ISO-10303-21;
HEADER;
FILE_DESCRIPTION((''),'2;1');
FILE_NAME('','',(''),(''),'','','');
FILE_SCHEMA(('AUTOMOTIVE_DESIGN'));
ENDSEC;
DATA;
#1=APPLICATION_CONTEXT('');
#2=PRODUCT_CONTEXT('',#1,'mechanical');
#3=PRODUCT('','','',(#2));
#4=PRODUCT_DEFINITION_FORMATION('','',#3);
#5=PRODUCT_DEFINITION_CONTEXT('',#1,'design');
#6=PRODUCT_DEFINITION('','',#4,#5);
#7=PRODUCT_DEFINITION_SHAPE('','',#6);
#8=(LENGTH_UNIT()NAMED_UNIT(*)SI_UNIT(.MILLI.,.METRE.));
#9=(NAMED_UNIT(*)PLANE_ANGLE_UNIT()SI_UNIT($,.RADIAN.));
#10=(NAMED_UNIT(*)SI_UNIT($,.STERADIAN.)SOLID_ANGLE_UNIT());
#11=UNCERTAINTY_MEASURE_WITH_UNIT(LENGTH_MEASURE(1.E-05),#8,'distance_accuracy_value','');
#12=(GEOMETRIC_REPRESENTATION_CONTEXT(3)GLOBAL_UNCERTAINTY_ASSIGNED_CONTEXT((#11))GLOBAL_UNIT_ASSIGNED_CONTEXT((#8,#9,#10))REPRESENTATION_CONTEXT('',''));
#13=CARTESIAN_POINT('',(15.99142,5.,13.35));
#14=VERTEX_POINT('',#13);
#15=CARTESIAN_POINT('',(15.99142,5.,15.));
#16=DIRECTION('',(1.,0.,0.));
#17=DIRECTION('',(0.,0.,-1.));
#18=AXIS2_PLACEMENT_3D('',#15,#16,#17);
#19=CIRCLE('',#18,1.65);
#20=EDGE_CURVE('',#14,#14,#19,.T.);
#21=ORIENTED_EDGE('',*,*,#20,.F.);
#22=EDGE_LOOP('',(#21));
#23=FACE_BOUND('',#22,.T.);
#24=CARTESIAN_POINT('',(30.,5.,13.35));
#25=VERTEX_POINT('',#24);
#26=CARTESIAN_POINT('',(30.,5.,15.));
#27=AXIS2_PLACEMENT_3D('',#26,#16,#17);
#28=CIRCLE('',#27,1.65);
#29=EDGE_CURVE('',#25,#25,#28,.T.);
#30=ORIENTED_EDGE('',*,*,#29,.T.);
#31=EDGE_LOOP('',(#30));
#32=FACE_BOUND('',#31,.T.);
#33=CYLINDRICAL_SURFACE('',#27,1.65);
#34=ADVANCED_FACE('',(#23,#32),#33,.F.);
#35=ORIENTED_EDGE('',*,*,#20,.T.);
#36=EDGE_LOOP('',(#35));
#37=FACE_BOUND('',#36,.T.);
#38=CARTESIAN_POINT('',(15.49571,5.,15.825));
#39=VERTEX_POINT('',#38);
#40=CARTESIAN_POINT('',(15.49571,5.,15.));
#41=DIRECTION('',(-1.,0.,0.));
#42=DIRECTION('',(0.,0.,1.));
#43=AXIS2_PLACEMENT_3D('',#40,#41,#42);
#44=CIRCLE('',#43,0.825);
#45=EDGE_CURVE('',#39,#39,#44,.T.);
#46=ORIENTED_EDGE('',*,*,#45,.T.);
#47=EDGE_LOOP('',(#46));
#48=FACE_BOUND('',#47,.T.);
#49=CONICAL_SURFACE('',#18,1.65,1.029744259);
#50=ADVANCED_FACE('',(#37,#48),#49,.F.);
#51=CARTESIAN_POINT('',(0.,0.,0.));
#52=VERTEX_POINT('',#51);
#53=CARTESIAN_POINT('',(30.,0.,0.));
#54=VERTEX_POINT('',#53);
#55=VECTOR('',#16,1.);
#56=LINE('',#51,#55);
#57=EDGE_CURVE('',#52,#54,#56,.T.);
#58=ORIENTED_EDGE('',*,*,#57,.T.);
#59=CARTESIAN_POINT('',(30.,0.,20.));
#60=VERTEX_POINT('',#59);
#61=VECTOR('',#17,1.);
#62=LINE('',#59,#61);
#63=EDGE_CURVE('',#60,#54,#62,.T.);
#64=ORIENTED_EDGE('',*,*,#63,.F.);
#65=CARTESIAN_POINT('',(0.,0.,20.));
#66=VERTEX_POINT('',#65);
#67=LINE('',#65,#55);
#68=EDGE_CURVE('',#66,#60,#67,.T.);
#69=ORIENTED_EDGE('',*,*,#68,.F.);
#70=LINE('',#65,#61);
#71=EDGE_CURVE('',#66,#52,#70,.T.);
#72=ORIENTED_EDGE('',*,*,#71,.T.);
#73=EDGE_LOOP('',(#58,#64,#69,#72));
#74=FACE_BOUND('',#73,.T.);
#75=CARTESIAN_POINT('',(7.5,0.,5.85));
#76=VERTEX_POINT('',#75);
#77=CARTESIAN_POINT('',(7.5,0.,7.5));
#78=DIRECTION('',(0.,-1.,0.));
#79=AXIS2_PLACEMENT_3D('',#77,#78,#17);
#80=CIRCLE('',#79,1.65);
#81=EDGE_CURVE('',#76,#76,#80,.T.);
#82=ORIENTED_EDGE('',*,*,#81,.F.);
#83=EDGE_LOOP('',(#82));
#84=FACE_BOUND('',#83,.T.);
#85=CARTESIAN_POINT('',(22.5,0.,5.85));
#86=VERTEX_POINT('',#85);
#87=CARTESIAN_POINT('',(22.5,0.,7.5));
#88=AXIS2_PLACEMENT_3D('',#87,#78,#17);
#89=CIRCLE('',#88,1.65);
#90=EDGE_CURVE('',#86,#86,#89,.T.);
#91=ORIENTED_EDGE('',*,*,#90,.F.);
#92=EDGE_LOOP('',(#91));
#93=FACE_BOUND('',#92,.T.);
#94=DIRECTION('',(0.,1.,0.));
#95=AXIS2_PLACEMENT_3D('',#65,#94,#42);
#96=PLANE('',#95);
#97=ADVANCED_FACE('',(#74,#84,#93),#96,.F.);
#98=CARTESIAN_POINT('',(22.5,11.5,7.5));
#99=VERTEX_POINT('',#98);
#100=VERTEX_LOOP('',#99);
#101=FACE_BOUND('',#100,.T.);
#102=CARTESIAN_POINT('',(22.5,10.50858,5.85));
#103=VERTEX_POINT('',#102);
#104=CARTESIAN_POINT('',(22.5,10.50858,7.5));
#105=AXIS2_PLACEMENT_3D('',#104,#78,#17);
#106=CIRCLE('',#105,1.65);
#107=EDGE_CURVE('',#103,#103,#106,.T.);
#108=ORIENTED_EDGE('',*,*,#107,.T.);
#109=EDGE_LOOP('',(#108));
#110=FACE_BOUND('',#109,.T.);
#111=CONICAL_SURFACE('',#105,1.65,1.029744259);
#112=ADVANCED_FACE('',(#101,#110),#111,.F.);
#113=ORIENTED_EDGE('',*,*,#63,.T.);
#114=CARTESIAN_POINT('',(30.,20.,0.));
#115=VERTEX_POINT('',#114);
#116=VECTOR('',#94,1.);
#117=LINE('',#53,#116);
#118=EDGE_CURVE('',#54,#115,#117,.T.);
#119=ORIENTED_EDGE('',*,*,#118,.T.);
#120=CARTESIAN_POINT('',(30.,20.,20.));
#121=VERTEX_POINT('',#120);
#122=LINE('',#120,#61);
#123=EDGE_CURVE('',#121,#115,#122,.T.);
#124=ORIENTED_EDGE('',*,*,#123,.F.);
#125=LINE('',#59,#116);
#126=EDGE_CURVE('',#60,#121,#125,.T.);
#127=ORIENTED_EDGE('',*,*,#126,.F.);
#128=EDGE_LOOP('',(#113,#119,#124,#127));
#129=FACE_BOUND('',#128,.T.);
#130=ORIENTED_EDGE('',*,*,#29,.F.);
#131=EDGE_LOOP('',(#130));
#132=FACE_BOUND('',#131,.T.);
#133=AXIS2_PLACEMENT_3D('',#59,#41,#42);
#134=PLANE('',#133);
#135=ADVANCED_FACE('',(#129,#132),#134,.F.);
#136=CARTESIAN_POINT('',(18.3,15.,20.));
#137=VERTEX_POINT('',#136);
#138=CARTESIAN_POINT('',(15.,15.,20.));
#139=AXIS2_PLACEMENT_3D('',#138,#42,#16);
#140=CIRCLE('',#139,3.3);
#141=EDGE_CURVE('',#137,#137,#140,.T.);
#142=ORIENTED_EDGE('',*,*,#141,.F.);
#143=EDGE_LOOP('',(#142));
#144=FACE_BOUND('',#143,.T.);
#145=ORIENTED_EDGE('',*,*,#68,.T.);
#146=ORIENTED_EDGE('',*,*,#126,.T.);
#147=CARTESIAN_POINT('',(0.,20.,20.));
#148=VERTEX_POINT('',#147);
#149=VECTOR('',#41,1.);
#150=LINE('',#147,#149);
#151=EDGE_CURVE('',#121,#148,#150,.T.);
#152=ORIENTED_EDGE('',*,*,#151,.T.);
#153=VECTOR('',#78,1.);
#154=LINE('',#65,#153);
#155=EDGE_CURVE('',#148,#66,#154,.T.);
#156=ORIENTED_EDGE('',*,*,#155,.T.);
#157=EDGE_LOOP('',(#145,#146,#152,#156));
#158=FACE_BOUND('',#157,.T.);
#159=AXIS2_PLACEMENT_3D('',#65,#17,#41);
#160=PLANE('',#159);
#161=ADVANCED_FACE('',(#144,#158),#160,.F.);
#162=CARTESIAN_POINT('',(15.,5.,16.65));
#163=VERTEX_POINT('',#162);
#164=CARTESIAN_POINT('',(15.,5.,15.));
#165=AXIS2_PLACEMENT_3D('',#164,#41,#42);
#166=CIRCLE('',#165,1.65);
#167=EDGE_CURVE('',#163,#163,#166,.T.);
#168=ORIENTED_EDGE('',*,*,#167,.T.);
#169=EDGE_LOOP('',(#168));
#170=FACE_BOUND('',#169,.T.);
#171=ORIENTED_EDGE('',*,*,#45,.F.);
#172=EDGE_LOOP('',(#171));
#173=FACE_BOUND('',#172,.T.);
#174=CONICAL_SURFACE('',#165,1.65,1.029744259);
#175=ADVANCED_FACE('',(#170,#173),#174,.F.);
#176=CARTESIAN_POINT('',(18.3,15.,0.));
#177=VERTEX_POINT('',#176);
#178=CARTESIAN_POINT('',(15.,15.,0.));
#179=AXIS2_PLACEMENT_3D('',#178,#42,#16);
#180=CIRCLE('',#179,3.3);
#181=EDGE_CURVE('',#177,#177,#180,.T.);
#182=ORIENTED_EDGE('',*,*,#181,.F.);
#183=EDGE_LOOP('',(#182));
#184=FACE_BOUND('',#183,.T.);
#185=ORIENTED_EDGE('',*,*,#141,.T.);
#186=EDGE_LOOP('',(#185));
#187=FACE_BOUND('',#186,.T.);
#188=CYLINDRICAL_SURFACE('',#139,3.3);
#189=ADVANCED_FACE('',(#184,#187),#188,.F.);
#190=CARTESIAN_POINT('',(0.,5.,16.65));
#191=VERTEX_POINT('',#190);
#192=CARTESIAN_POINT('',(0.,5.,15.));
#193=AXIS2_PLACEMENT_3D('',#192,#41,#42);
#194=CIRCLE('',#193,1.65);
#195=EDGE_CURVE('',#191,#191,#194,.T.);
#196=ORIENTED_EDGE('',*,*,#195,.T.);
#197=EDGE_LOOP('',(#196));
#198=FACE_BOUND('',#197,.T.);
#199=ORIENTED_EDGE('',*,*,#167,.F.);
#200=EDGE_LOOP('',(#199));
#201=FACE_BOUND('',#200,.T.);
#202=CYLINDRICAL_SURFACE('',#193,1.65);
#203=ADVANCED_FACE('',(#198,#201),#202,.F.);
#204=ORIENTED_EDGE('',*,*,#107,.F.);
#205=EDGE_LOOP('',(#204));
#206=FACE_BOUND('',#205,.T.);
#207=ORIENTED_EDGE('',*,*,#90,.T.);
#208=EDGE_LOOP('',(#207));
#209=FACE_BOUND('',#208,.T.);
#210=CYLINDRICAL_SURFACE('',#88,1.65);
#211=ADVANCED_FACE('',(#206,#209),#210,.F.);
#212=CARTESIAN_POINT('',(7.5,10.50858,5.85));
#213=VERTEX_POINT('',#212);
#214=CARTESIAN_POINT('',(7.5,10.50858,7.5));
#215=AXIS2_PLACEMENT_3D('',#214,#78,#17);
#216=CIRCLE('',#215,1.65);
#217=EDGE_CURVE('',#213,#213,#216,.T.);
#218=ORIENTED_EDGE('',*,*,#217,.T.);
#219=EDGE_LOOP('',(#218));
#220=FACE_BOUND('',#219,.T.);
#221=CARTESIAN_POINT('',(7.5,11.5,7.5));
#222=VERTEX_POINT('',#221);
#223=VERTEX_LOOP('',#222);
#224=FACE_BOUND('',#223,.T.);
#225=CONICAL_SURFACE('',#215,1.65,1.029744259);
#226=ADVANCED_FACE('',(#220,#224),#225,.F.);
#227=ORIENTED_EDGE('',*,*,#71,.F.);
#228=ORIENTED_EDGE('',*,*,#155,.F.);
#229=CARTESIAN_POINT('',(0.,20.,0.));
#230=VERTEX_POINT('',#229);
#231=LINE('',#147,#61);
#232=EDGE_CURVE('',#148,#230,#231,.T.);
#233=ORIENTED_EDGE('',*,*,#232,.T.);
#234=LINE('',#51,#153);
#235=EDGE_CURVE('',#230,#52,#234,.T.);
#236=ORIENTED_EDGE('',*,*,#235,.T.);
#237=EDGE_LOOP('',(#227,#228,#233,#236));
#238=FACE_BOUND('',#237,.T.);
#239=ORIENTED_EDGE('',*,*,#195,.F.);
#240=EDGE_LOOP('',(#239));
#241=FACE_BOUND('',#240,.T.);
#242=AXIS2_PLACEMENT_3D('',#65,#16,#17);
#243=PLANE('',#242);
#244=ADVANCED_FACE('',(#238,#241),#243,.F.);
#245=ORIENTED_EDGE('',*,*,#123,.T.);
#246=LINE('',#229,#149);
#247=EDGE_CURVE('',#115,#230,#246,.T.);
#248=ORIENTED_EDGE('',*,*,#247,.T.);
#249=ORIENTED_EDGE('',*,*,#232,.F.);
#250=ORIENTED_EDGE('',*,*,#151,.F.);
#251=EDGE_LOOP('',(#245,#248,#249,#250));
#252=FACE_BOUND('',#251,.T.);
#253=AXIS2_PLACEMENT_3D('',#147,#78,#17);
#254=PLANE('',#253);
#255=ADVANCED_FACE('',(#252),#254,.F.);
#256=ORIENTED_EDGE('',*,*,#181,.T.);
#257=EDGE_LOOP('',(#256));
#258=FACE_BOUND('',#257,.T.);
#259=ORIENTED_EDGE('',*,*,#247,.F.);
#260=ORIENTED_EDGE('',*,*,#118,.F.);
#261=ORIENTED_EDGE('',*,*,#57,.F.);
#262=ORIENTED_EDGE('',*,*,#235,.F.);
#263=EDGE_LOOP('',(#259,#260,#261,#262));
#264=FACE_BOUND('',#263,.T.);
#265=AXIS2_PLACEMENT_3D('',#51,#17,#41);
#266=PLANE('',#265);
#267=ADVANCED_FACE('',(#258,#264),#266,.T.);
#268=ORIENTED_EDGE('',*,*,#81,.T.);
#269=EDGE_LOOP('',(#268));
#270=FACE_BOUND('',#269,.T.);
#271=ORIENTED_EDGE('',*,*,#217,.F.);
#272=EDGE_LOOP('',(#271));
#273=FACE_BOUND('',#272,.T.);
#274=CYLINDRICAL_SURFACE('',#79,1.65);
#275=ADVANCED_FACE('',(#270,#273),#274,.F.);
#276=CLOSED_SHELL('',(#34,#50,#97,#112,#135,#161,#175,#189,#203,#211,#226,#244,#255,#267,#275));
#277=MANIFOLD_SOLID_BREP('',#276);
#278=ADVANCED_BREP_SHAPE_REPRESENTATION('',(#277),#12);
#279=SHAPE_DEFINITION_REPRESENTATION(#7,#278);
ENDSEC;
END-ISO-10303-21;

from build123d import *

# Parameters (mm, degrees)
SKIZZE1_W                       = 30
SKIZZE1_H                       = 20
AUFSATZ_LINEAR_AUSTRAGEN1_DEPTH = 20
M6_GEWINDEBOHRUNG_D             = 3.3
M6_GEWINDEBOHRUNG_DEPTH         = 10.508579979
M6_GEWINDEBOHRUNG_TIP           = 0.991420021
DURCHGANGSLOCH_F_R_M61_D        = 6.6
M4_GEWINDEBOHRUNG1_D            = 3.3
M4_GEWINDEBOHRUNG1_DEPTH        = 14.008579979
M4_GEWINDEBOHRUNG1_TIP          = 0.991420021
M4_GEWINDEBOHRUNG2_D            = 3.3
M4_GEWINDEBOHRUNG2_DEPTH        = 15
M4_GEWINDEBOHRUNG2_TIP          = 0.991420021


with BuildPart() as part:
    # Skizze1 → Aufsatz-Linear austragen1 (new body)
    with BuildSketch(Plane.XY):
        with Locations((15, 10)):
            Rectangle(SKIZZE1_W, SKIZZE1_H)
    extrude(amount=AUFSATZ_LINEAR_AUSTRAGEN1_DEPTH)

    # M6 Gewindebohrung
    with Locations(Plane(origin=(0, 0, 0), x_dir=(-1, 0, 0), z_dir=(0, -1, 0))):
        with Locations((-22.5, -7.5), (-7.5, -7.5)):
            Hole(M6_GEWINDEBOHRUNG_D / 2, depth=M6_GEWINDEBOHRUNG_DEPTH)
            with Locations((0, 0, -(M6_GEWINDEBOHRUNG_DEPTH + M6_GEWINDEBOHRUNG_TIP / 2))):  # 118° drill point
                Cone(0, M6_GEWINDEBOHRUNG_D / 2, M6_GEWINDEBOHRUNG_TIP, mode=Mode.SUBTRACT)

    # Durchgangsloch für M61 (through all)
    with Locations(Plane.XY.offset(20)):
        with Locations((15, 15)):
            Hole(DURCHGANGSLOCH_F_R_M61_D / 2)

    # M4 Gewindebohrung1
    with Locations(Plane(origin=(30, 0, 0), x_dir=(0, 0, -1), z_dir=(1, 0, 0))):
        with Locations((-15, 5)):
            Hole(M4_GEWINDEBOHRUNG1_D / 2, depth=M4_GEWINDEBOHRUNG1_DEPTH)
            with Locations((0, 0, -(M4_GEWINDEBOHRUNG1_DEPTH + M4_GEWINDEBOHRUNG1_TIP / 2))):  # 118° drill point
                Cone(0, M4_GEWINDEBOHRUNG1_D / 2, M4_GEWINDEBOHRUNG1_TIP, mode=Mode.SUBTRACT)

    # M4 Gewindebohrung2
    with Locations(Plane.ZY):
        with Locations((15, 5)):
            Hole(M4_GEWINDEBOHRUNG2_D / 2, depth=M4_GEWINDEBOHRUNG2_DEPTH)
            with Locations((0, 0, -(M4_GEWINDEBOHRUNG2_DEPTH + M4_GEWINDEBOHRUNG2_TIP / 2))):  # 118° drill point
                Cone(0, M4_GEWINDEBOHRUNG2_D / 2, M4_GEWINDEBOHRUNG2_TIP, mode=Mode.SUBTRACT)


solid = part.part
